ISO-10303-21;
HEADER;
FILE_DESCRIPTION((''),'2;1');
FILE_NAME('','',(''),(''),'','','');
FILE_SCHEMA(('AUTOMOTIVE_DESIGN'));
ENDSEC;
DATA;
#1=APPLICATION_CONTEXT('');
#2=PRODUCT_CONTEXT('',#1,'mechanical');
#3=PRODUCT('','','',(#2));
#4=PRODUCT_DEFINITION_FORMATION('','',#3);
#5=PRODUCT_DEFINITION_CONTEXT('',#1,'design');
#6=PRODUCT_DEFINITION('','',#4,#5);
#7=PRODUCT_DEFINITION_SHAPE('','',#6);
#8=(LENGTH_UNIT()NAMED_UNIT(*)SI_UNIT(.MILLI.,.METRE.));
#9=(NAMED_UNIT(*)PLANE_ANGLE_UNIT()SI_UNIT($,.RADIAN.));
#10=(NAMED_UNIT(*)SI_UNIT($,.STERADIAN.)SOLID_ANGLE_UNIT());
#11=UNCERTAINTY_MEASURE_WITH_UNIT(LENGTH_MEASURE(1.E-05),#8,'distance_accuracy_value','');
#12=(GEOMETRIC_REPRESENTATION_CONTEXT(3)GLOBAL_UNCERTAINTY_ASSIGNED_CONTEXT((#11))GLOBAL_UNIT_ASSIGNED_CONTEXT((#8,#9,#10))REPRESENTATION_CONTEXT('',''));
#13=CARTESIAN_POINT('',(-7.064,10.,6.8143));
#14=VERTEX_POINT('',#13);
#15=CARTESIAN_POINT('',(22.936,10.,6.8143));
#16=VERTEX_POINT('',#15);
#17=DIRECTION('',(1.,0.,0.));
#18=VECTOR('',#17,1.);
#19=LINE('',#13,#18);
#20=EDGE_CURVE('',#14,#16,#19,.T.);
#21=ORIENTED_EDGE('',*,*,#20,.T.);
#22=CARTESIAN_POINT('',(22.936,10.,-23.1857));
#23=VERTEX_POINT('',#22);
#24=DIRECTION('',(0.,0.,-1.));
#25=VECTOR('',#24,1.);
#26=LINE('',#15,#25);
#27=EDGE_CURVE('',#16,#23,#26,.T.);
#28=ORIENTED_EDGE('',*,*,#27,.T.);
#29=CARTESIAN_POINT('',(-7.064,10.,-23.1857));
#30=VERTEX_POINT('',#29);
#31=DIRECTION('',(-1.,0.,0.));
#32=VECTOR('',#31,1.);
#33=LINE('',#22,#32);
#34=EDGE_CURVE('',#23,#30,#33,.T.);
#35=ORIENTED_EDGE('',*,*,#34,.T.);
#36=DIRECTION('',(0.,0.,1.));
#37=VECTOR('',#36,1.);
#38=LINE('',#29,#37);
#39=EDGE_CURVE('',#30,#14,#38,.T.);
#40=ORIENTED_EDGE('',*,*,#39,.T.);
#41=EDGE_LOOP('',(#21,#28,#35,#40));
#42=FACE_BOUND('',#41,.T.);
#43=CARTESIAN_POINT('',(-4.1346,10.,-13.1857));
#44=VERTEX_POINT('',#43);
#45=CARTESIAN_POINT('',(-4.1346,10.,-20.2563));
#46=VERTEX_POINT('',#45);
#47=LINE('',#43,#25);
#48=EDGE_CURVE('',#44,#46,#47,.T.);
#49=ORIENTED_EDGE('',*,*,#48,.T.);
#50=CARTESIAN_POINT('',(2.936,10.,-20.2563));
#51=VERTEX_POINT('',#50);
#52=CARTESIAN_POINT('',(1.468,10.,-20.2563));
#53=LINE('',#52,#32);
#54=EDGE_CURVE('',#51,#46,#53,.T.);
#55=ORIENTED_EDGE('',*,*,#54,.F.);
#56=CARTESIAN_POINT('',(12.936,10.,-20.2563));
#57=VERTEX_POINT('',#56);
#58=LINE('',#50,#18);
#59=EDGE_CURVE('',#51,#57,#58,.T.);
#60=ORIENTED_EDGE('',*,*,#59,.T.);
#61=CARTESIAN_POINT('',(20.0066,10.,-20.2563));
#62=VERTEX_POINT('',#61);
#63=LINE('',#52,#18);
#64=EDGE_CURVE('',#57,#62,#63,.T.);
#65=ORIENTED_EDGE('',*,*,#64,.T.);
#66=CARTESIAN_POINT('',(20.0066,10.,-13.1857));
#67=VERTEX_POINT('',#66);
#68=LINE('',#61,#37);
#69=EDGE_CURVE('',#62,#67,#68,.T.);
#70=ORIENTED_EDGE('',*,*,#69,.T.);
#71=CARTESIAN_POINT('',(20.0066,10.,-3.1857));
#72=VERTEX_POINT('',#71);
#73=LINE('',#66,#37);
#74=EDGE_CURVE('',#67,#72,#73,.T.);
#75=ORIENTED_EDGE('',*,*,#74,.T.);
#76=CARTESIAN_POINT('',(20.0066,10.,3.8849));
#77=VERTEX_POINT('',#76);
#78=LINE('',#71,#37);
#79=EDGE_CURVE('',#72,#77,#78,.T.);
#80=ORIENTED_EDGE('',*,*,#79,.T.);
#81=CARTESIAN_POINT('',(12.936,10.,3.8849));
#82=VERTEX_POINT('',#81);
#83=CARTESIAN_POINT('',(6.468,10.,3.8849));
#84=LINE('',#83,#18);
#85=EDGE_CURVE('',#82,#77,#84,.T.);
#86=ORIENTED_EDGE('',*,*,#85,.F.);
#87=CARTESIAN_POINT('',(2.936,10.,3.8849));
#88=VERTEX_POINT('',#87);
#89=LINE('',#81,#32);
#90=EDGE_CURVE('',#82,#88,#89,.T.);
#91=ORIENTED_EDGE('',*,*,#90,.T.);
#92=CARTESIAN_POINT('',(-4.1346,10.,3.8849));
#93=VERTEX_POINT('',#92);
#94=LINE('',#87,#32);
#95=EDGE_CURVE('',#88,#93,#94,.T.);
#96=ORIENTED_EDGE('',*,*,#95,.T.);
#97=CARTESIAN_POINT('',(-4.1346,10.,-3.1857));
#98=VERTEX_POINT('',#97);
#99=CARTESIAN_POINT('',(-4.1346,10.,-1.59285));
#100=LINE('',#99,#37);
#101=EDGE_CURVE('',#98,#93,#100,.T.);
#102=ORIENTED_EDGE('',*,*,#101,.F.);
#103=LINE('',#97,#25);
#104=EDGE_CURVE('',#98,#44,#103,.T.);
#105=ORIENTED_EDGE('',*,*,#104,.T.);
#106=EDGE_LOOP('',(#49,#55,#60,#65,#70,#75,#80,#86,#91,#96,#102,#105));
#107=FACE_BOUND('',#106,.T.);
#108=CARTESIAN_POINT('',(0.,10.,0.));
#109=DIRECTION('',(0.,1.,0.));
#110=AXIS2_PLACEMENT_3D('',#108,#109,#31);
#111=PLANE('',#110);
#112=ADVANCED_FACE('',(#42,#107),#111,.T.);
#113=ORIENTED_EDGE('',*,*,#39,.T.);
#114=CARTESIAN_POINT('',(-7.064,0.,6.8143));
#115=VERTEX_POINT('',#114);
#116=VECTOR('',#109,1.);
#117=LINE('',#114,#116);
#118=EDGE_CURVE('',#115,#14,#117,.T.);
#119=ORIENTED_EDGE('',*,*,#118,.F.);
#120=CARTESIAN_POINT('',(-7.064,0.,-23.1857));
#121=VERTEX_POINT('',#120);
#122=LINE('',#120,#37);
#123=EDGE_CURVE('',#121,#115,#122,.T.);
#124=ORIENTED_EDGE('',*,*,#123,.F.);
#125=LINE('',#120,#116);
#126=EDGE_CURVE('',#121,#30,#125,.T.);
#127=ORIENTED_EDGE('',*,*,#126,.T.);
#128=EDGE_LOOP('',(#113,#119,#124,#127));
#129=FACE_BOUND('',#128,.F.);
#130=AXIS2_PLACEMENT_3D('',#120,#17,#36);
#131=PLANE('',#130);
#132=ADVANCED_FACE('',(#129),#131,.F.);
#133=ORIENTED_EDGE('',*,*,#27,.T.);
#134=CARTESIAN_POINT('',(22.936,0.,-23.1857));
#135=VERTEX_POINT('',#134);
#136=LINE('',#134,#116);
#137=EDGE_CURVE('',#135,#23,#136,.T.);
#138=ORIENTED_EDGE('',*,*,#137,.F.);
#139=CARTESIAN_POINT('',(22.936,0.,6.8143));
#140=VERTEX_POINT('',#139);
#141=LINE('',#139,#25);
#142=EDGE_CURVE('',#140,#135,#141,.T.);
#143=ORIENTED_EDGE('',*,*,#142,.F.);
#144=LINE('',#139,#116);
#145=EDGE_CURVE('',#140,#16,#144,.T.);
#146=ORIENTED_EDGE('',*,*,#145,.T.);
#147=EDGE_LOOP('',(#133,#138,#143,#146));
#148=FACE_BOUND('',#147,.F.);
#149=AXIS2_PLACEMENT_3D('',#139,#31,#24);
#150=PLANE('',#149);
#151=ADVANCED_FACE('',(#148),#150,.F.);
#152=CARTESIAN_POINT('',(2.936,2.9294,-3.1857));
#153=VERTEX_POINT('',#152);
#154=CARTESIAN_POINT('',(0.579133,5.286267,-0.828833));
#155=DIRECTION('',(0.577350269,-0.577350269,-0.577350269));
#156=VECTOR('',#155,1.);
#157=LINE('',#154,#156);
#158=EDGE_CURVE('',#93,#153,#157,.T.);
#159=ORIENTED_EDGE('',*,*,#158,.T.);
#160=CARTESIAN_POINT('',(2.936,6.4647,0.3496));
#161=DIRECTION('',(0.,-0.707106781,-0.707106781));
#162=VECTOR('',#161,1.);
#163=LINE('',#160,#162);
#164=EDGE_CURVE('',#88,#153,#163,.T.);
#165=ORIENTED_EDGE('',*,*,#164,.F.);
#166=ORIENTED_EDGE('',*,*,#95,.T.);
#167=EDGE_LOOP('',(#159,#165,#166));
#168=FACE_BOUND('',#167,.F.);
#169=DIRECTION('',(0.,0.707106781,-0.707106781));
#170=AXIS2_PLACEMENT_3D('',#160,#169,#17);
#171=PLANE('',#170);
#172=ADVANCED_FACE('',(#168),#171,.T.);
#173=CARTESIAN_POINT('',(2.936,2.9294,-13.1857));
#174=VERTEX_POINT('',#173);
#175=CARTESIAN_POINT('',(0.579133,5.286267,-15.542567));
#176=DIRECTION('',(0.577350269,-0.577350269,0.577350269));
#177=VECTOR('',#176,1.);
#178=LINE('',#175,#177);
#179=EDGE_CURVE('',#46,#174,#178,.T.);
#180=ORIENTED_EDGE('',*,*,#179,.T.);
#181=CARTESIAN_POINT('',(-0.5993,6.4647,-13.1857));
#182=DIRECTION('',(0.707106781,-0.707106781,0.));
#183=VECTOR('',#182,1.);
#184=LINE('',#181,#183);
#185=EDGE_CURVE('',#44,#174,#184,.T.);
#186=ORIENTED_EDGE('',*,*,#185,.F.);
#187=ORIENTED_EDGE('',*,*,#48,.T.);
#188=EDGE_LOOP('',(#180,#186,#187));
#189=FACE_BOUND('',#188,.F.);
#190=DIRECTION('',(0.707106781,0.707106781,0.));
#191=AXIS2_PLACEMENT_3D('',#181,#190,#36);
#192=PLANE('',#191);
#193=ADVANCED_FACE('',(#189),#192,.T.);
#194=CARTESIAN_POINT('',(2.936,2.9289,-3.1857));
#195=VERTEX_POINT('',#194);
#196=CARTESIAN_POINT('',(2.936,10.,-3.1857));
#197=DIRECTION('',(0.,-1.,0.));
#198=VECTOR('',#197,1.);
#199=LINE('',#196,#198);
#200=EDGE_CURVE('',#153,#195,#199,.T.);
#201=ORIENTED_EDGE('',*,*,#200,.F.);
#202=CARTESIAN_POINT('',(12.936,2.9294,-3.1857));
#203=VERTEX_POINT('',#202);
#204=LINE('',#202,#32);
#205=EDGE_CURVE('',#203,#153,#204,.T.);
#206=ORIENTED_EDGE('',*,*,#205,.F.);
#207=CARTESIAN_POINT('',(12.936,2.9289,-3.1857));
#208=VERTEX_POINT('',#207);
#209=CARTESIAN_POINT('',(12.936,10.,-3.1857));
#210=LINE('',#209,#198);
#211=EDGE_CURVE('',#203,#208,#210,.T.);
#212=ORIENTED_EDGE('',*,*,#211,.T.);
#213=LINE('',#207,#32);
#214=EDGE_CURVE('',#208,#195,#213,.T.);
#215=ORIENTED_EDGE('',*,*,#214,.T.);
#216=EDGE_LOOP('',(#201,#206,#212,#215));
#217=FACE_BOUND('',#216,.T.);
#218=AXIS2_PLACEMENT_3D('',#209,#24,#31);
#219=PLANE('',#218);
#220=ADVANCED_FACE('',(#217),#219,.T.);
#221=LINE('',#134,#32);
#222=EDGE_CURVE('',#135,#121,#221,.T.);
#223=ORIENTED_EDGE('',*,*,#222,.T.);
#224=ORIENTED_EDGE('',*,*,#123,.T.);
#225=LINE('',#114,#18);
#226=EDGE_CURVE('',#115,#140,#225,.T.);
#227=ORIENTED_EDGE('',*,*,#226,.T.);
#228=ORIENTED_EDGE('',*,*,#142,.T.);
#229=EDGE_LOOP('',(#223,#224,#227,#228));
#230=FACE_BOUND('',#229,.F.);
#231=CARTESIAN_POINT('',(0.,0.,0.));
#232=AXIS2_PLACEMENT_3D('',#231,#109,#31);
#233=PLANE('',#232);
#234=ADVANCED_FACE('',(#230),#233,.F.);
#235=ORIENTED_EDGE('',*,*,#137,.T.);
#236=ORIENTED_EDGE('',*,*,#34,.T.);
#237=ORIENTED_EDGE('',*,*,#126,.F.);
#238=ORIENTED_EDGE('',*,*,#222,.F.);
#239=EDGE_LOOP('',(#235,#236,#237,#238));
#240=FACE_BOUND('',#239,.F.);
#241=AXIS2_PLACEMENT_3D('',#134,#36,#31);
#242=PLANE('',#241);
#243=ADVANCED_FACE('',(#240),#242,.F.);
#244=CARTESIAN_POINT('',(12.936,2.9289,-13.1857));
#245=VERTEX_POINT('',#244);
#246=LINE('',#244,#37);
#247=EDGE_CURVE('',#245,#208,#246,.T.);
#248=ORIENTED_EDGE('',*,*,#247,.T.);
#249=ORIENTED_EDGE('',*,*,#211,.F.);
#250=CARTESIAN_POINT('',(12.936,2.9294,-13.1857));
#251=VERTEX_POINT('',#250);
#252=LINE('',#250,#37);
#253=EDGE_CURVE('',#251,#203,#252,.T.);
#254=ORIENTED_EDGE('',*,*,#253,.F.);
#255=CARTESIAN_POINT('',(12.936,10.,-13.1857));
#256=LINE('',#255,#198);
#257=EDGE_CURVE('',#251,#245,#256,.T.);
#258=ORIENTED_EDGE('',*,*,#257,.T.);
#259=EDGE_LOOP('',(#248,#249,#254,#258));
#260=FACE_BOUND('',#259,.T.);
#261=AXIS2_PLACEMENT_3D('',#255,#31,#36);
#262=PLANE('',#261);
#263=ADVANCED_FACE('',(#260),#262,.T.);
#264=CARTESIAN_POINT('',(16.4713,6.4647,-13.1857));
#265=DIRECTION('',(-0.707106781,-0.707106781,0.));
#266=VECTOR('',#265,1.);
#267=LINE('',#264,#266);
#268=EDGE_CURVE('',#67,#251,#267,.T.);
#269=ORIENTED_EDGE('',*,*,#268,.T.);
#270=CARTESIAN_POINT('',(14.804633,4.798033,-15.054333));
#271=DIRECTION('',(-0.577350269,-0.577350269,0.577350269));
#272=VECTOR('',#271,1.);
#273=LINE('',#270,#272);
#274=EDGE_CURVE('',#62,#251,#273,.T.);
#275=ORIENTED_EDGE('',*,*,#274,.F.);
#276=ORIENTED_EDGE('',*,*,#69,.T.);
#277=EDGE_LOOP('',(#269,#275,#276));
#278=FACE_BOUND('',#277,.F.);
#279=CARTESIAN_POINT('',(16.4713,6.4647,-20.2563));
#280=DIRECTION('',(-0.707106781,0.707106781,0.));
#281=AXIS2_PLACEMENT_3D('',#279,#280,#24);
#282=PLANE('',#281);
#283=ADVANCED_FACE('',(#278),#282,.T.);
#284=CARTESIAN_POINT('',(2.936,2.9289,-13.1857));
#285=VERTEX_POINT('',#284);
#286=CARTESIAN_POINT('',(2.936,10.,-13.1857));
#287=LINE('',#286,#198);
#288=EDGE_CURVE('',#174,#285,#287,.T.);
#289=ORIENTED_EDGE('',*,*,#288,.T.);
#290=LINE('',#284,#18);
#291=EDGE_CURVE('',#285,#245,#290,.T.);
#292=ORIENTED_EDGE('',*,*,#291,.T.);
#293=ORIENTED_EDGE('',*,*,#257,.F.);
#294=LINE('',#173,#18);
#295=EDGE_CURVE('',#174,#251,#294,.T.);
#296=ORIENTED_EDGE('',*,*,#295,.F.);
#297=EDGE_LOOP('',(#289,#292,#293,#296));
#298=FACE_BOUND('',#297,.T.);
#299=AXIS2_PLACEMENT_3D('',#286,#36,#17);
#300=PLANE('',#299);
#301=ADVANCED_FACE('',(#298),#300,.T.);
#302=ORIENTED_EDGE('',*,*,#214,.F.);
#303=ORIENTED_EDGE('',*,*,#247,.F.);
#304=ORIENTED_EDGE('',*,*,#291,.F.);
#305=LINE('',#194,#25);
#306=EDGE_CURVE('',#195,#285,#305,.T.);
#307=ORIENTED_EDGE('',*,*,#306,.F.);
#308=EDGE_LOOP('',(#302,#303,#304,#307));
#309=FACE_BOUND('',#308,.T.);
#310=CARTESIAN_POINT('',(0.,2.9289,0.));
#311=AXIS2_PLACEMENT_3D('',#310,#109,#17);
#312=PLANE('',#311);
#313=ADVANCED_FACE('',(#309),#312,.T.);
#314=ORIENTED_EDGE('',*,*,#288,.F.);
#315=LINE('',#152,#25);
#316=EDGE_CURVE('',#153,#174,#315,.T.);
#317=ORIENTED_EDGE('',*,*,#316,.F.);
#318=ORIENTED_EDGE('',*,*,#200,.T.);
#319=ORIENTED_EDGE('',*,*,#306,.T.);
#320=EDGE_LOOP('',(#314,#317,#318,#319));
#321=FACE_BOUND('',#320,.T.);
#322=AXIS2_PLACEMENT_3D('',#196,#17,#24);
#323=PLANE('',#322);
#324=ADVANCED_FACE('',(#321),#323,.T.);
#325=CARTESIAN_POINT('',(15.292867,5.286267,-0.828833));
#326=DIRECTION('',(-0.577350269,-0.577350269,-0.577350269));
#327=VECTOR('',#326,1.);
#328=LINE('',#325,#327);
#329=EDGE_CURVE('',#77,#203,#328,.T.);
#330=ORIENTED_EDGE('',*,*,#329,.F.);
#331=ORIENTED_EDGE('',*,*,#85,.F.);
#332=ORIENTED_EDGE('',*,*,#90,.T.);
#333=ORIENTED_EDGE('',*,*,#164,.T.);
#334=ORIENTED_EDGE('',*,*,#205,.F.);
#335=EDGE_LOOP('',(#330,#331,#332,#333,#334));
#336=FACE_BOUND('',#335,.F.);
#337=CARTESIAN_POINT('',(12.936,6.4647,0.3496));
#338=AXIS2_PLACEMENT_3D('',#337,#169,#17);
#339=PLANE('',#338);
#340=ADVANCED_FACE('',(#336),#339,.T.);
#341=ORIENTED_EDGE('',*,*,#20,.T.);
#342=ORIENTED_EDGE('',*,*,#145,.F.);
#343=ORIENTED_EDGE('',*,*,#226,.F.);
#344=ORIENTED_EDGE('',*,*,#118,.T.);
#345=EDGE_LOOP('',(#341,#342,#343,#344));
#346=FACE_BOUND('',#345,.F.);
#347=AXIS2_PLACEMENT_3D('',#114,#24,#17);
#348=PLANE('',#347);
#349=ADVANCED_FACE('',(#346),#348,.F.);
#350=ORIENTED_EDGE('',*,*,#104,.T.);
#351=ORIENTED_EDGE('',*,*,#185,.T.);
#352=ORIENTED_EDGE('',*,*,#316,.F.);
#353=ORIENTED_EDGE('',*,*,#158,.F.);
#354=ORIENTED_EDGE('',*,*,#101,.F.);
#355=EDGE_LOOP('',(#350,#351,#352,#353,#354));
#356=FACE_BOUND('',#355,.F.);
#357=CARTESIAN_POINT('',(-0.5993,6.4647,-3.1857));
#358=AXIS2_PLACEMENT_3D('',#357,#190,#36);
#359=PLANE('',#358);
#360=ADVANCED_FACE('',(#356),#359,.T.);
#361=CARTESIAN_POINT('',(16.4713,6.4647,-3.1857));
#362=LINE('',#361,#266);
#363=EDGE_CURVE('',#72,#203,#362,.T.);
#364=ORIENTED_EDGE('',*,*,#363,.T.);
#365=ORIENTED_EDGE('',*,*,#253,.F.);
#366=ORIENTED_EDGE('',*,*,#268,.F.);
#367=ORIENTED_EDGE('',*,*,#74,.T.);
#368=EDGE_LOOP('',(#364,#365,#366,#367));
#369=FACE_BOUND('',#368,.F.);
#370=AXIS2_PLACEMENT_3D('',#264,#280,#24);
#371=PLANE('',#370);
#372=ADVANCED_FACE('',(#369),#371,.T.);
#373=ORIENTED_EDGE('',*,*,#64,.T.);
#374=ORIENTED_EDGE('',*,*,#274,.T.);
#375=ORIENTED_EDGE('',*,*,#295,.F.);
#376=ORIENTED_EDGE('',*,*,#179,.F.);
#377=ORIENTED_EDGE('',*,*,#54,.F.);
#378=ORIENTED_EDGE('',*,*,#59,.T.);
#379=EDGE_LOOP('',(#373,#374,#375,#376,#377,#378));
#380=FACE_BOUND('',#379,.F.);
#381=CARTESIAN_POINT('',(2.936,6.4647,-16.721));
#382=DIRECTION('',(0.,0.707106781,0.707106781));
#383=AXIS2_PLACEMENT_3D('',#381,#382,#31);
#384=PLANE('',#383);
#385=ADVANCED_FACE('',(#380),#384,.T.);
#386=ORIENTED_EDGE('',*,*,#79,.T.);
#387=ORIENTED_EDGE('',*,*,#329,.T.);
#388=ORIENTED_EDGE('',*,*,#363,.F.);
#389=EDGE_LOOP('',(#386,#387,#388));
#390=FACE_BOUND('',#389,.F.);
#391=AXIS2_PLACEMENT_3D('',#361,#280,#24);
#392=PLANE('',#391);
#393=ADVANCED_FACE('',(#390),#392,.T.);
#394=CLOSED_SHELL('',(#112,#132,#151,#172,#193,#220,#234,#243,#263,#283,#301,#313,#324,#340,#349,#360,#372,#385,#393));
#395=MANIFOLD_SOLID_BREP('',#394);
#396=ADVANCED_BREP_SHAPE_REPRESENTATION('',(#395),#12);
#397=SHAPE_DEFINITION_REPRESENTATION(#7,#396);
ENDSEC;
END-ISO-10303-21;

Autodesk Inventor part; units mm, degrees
ref_plane "YZ Plane" through (0, 0, 0) normal (1, 0, 0) x (0, 1, 0)
ref_plane "XZ Plane" through (0, 0, 0) normal (0, 1, 0) x (-1, 0, 0)
ref_plane "XY Plane" through (0, 0, 0) normal (0, 0, 1) x (1, 0, 0)
sketch "Sketch1" plane through (0, 0, 0) normal (0, 1, 0) x (-1, 0, 0)
  line L0 (7.064, 6.8143) -> (-22.936, 6.8143)
  line L1 (-22.936, 6.8143) -> (-22.936, -23.1857)
  line L2 (-22.936, -23.1857) -> (7.064, -23.1857)
  line L3 (7.064, -23.1857) -> (7.064, 6.8143)
  point P0 (0, 0)
  dimension "d0" = 30
  dimension "d1" = 30
extrude "Extrusion1" add sketch "Sketch1" along normal blind 10
sketch "Sketch2" plane through (0, 10, 0) normal (0, 1, 0) x (1, 0, 0)
  point P0 (0, 0)
sketch "Sketch3" plane through (0, 10, 0) normal (0, 1, 0) x (1, 0, 0)
  line L0 (2.936, 13.1857) -> (12.936, 13.1857)
  line L1 (12.936, 13.1857) -> (12.936, 3.1857)
  line L2 (12.936, 3.1857) -> (2.936, 3.1857)
  line L3 (2.936, 3.1857) -> (2.936, 13.1857)
  line L4 (22.936, -6.8143) -> (22.936, 23.1857) projected
  line L5 (-7.064, -6.8143) -> (22.936, -6.8143) projected
  point P0 (0, 0)
  dimension "d4" = 10
  dimension "d5" = 10
  dimension "d6" = 10
  dimension "d7" = 10
extrude "Extrusion2" cut sketch "Sketch3" against normal blind 7.0711
chamfer "Chamfer1" distance 7.0711 distance2 7.0711 1 edges at (7.936, 10, -13.1857) measured on face at (6.2693, 10, -19.8524)
chamfer "Chamfer2" distance 7.0711 distance2 7.0711 1 edges at (2.936, 10, -8.1857) measured on face at (-3.7307, 10, -9.8524)
chamfer "Chamfer3" distance 7.0711 distance2 7.0711 1 edges at (7.936, 10, -3.1857) measured on face at (9.6026, 10, 3.481)
chamfer "Chamfer4" distance 7.0711 distance2 7.0711 1 edges at (12.936, 10, -8.1857) measured on face at (19.6026, 10, -9.8524)
sketch "Sketch4" plane through (-4.1351, 10, -20.2568) normal (0.7071, 0.7071, 0) x (-0.7071, 0.7071, 0)
  circle A0 centre (-5, 12.0711) radius 5
  line L0 (0, 0) -> (0, 24.1421) projected
  point P0 (-9.995, 20.2568)
  dimension "d22" = 10
  dimension "d23" = 0
  dimension "d24" = 24.1421
  dimension "d25" = 12.0711
equation "\"d7\" = d6"
equation "\"d25\" = 0.5 * d24"
